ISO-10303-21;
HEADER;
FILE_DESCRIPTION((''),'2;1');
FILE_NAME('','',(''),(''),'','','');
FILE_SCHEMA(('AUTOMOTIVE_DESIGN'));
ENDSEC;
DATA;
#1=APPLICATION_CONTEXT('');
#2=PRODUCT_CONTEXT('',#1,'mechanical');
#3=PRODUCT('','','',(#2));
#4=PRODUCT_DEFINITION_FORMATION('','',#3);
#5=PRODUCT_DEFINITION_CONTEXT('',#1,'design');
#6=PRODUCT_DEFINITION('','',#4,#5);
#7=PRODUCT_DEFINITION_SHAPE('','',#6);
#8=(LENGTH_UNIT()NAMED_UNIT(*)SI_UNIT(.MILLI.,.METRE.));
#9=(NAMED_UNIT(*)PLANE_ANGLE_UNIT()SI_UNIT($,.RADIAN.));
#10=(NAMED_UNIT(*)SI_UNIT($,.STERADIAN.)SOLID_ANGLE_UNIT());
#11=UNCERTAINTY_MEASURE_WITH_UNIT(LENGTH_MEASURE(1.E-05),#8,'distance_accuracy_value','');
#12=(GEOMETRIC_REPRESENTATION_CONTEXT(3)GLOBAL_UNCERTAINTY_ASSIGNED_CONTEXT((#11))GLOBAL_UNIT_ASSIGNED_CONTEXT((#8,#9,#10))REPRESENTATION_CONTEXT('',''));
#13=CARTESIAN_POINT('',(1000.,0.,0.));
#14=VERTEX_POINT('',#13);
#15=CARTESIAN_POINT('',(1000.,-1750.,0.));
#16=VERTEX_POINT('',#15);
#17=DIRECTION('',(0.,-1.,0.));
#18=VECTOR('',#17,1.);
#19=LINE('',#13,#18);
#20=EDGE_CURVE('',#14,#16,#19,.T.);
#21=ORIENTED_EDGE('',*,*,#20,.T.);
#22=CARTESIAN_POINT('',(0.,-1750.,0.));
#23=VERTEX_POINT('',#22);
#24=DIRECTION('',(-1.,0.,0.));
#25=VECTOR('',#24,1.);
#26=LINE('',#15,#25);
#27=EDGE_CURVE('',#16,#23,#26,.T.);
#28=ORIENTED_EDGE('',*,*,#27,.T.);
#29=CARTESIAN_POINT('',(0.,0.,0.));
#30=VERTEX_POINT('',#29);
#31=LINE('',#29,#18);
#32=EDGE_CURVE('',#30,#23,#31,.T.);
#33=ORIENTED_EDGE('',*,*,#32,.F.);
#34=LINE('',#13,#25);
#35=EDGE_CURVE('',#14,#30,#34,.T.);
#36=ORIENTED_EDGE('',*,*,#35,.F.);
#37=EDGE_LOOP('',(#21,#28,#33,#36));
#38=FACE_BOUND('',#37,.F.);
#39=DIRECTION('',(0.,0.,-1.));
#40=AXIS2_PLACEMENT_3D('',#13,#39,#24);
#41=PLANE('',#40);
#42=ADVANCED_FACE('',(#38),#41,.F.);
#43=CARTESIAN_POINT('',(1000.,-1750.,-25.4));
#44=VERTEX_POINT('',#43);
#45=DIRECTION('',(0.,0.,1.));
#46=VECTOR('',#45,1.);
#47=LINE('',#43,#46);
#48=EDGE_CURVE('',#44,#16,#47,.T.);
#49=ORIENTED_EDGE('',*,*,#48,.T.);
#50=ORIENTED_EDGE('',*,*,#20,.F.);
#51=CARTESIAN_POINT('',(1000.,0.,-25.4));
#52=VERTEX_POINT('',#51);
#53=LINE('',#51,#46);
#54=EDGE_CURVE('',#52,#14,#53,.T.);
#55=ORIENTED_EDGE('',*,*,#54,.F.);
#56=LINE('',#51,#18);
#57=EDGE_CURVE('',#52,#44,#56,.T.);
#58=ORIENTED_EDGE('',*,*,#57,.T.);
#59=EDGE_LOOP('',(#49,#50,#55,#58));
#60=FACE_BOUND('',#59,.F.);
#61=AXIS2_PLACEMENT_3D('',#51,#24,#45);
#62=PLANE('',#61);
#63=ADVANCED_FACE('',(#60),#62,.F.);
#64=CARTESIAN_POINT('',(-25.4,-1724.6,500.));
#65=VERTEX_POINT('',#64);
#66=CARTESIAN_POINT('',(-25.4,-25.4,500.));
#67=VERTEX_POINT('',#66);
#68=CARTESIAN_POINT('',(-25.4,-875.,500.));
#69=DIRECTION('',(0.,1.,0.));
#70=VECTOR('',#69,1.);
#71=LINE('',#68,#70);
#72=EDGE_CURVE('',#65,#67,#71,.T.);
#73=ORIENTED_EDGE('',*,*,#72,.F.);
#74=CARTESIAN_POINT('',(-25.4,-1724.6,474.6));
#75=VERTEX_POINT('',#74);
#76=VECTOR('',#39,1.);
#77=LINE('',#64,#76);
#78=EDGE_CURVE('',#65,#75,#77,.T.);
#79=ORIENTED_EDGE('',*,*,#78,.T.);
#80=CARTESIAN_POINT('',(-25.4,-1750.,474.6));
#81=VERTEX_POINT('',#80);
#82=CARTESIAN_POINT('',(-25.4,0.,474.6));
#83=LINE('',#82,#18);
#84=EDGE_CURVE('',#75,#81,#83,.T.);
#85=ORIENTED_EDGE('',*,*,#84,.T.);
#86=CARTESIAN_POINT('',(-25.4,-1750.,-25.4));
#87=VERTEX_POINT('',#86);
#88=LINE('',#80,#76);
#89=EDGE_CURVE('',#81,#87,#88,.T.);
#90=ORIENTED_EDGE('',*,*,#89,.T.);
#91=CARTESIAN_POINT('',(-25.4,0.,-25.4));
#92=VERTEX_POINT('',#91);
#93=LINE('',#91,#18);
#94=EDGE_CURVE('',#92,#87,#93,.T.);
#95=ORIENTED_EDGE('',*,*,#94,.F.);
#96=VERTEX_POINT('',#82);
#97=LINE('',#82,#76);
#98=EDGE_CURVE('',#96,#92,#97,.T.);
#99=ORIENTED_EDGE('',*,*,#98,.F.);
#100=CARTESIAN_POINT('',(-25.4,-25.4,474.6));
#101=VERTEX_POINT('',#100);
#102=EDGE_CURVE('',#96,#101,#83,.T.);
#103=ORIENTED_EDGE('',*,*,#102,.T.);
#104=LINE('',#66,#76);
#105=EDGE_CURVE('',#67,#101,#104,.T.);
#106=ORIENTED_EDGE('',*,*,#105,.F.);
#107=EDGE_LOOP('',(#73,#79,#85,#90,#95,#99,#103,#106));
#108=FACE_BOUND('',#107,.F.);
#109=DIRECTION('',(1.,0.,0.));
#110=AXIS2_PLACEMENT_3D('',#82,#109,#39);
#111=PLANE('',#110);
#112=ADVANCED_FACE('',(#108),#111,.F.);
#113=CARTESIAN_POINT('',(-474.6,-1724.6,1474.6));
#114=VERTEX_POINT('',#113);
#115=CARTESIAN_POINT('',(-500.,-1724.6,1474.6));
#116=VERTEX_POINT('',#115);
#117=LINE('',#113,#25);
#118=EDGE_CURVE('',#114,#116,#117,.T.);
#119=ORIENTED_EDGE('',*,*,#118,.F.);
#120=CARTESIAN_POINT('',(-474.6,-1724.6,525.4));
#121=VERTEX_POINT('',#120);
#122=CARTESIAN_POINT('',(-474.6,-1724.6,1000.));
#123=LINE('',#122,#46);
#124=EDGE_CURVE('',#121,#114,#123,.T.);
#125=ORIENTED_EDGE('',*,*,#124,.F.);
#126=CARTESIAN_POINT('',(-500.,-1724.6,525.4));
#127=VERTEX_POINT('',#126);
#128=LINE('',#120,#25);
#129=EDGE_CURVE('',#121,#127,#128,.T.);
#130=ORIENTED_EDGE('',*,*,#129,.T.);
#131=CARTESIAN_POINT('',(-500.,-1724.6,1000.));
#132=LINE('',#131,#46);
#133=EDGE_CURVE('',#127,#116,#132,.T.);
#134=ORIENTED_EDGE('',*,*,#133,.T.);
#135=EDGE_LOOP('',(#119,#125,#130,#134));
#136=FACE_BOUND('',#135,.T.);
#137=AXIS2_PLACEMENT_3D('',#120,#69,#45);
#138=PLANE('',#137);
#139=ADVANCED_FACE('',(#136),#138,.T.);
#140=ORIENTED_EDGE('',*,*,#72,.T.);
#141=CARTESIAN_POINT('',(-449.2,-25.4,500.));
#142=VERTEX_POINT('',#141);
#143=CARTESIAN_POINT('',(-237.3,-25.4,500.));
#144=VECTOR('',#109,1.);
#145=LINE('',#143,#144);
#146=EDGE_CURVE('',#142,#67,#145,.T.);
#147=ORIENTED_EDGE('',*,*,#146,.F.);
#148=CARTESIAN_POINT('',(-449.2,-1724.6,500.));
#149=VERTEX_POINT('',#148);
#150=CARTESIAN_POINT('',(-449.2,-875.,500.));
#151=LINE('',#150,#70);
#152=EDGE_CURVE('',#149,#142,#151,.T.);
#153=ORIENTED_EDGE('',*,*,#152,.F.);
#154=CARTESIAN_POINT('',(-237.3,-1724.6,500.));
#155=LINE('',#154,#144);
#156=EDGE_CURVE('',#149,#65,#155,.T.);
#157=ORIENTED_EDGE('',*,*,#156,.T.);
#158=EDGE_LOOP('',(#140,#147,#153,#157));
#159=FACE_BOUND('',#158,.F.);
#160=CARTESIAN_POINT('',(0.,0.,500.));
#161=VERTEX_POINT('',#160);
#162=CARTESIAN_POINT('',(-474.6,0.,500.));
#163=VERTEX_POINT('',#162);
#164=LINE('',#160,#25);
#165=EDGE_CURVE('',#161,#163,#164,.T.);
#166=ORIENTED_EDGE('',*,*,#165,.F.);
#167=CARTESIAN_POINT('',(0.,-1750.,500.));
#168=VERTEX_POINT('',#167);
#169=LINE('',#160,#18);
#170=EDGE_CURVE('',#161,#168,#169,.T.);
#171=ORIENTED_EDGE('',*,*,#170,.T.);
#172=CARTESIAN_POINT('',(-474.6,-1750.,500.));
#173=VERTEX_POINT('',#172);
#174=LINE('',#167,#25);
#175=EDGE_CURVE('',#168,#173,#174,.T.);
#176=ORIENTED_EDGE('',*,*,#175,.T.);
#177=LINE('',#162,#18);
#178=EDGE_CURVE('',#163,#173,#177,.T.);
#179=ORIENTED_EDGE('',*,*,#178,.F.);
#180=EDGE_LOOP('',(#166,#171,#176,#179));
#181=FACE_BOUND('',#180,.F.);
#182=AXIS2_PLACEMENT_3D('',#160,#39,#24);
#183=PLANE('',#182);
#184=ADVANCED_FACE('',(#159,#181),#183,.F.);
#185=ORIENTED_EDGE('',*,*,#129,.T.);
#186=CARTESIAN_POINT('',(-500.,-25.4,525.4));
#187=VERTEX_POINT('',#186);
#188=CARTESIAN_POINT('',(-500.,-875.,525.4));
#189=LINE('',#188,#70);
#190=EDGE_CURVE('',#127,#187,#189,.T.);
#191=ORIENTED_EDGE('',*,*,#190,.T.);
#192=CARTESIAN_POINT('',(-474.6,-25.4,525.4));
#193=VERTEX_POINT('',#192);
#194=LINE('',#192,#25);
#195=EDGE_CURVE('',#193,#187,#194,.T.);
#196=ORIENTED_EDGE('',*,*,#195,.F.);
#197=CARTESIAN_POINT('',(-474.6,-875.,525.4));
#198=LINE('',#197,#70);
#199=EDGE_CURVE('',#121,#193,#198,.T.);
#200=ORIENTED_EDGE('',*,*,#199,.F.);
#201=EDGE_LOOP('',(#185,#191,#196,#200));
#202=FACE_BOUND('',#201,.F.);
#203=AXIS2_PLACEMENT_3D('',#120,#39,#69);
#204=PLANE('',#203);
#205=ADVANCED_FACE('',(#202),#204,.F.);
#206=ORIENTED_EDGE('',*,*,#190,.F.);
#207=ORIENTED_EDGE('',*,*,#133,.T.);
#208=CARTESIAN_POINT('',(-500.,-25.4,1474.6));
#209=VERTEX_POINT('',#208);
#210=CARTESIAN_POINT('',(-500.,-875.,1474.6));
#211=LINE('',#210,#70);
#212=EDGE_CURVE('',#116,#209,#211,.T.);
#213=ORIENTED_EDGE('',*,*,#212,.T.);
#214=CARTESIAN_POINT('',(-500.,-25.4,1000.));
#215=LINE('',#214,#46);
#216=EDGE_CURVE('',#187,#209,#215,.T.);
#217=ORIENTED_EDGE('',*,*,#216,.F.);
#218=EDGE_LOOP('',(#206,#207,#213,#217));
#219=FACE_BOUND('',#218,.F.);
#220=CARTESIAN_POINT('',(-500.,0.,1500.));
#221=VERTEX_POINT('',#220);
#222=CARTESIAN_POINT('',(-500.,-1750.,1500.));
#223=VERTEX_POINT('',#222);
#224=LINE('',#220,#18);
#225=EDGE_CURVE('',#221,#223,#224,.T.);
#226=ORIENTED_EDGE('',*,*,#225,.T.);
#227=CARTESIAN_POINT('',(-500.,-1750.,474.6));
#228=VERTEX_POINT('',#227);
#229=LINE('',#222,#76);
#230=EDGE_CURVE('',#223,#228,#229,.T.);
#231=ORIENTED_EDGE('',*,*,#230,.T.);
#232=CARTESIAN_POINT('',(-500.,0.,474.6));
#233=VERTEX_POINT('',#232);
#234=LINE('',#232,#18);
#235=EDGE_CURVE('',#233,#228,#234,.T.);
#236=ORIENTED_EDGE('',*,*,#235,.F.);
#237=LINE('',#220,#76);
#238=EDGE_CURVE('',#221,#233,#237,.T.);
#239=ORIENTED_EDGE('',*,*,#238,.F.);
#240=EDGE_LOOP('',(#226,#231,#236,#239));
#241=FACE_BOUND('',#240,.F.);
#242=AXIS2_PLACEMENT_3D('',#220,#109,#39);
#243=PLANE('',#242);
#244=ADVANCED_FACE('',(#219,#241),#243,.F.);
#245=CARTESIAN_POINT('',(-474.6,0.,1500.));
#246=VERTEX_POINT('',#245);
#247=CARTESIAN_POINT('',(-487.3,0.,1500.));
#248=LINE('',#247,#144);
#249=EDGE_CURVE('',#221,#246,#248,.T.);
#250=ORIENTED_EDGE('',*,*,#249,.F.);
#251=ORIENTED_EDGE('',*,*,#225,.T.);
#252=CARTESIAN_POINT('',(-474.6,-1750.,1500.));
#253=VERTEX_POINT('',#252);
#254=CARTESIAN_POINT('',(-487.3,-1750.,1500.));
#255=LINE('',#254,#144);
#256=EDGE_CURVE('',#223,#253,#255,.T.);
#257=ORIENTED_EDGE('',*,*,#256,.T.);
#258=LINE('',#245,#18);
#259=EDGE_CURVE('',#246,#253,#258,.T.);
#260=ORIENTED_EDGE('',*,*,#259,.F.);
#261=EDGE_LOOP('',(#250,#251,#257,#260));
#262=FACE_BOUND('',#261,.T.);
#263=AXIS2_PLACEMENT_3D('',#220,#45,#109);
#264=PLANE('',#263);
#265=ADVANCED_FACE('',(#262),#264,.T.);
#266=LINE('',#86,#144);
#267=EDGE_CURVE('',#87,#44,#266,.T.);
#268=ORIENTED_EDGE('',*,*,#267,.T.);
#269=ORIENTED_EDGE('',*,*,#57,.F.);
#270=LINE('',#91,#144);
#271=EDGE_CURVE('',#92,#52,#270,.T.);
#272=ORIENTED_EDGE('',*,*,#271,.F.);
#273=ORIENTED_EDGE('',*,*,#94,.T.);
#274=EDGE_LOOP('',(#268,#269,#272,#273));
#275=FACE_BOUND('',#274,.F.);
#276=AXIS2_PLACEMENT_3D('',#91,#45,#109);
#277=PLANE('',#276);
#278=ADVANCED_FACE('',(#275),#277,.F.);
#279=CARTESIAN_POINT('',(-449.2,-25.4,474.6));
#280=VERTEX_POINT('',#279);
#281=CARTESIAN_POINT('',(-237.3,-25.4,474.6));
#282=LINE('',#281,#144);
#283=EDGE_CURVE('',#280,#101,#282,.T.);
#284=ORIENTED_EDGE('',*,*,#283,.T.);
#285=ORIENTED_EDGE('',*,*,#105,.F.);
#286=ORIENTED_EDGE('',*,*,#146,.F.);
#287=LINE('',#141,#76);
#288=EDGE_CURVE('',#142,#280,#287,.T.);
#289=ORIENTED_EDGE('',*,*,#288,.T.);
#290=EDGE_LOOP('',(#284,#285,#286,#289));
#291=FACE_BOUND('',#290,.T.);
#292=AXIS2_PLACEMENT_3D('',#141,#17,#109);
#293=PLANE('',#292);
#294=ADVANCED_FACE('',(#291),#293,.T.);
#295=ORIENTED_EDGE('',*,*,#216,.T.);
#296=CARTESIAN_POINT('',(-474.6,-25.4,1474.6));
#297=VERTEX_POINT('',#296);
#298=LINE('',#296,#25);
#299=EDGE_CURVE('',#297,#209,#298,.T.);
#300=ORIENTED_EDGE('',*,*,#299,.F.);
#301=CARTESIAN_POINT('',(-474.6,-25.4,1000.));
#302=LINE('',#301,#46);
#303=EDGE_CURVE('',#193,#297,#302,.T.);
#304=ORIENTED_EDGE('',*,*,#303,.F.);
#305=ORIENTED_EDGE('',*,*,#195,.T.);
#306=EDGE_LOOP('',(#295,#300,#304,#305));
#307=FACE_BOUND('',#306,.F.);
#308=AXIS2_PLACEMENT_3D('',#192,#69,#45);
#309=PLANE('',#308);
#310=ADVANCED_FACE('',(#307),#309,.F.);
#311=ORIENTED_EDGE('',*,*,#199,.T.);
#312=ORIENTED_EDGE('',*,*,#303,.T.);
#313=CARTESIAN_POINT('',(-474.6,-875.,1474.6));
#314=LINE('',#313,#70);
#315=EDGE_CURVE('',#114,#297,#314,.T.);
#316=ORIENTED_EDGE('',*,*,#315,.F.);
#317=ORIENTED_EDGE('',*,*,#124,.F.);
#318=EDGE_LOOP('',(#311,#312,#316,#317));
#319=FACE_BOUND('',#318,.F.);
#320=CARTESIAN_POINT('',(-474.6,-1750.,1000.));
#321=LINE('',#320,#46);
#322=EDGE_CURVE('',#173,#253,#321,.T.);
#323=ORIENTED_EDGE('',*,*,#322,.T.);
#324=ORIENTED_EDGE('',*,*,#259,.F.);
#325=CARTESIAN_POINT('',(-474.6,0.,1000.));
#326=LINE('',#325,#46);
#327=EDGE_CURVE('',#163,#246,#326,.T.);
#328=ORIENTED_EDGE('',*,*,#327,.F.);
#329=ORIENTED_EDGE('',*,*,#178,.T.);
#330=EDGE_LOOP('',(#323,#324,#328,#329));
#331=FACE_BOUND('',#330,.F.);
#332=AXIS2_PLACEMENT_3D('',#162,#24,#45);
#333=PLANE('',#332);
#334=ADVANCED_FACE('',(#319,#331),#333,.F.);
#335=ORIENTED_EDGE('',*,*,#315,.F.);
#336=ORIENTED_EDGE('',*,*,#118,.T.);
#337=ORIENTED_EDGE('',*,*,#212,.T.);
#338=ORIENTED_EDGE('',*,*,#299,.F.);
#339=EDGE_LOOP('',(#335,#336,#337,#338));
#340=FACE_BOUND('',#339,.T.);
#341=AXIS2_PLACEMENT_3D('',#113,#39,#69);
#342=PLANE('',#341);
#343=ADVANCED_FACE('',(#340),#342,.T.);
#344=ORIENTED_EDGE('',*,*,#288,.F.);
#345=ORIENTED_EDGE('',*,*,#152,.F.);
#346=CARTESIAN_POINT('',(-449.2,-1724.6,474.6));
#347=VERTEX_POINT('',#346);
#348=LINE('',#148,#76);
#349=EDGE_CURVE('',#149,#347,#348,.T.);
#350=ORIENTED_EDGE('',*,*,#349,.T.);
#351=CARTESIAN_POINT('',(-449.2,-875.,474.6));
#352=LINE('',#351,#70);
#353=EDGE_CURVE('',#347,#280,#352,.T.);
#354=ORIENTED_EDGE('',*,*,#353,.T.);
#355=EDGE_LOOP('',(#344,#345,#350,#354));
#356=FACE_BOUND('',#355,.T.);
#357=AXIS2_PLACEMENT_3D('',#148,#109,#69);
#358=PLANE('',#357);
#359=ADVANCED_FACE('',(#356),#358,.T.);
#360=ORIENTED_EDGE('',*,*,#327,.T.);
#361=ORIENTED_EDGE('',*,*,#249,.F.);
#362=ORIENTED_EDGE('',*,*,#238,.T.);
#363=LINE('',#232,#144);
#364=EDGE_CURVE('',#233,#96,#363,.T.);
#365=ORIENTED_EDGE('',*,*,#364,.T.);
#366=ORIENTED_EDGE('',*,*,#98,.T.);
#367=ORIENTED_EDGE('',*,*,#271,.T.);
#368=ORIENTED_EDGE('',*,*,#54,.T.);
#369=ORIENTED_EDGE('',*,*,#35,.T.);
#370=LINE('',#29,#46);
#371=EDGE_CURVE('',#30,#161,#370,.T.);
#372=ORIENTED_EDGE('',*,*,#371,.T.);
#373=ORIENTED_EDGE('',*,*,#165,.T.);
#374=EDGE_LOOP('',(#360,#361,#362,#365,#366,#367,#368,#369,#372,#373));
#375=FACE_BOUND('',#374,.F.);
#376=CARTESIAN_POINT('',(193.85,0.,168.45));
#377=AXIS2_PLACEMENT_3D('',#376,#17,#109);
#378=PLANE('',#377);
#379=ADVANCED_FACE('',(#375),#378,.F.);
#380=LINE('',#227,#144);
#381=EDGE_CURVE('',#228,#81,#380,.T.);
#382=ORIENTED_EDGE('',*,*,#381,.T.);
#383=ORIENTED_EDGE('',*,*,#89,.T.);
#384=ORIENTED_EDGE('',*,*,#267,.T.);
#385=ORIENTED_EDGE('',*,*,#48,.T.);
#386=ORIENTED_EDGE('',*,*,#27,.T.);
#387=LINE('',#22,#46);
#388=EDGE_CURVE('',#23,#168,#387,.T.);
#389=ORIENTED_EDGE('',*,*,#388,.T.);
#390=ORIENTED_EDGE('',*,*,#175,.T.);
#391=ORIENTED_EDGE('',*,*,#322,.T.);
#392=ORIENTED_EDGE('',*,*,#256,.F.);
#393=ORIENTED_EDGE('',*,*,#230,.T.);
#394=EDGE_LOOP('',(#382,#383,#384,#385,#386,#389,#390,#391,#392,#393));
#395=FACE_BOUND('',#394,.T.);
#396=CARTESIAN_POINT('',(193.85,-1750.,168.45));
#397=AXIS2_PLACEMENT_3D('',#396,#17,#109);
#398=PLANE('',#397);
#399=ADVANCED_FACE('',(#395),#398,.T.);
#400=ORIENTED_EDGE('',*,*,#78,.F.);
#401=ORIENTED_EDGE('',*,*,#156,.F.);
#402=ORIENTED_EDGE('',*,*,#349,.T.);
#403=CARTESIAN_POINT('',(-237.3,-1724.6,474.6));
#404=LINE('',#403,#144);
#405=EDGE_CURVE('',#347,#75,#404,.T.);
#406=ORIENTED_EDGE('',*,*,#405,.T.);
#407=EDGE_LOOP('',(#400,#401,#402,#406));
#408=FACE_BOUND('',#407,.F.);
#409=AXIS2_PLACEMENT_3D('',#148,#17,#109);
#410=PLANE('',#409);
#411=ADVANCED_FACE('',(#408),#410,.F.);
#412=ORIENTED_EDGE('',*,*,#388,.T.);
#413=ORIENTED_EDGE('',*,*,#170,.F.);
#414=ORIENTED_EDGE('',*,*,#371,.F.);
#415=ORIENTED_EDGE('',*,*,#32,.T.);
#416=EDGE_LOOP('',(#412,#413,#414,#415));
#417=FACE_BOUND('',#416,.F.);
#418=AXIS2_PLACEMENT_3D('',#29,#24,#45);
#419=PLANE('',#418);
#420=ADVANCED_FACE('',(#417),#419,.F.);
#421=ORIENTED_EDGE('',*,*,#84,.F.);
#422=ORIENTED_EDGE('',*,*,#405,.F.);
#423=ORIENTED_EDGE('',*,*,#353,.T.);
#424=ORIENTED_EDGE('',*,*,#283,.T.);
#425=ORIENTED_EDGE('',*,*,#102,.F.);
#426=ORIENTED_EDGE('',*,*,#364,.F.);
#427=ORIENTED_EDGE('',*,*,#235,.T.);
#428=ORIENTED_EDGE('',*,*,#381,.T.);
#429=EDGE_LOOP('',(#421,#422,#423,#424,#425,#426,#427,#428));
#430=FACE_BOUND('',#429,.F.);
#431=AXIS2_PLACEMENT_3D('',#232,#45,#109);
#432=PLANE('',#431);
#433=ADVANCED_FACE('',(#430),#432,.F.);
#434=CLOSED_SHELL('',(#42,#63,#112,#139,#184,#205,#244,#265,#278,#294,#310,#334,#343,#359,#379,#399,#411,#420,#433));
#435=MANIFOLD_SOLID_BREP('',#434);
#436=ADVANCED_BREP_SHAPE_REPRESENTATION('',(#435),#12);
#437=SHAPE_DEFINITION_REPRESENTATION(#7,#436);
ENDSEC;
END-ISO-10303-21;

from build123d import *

# Parameters (mm, degrees)
F0_W     = 25.4
F0_H     = 25.4
F0_H_2   = 1000
F1_DEPTH = 1750
F2_W     = 423.8
F2_H     = 1699.2
F3_DEPTH = 25.4
F4_W     = 1699.2
F4_H     = 949.2
F5_DEPTH = 25.4


with BuildPart() as f1:
    # F0 (on Front) → F1 (new body)
    with BuildSketch(Plane.XZ):
        Polygon((1000, 0), (0, 0), (0, 500), (-474.6, 500), (-474.6, 474.6), (-25.4, 474.6), (-25.4, -25.4), (1000, -25.4), align=None)
        with Locations((-487.3, 487.3)):
            Rectangle(F0_W, F0_H)
        with Locations((-487.3, 1000)):
            Rectangle(F0_W, F0_H_2)
    extrude(amount=F1_DEPTH)

    # F2 (on face) → F3 (cut)
    with BuildSketch(Plane.XY.offset(500)):
        with Locations((-237.3, -875)):
            Rectangle(F2_W, F2_H)
    extrude(amount=-F3_DEPTH, mode=Mode.SUBTRACT)

    # F4 (on face) → F5 (cut)
    with BuildSketch(Plane.YZ.offset(-474.6)):
        with Locations((-875, 1000)):
            Rectangle(F4_W, F4_H)
    extrude(amount=-F5_DEPTH, mode=Mode.SUBTRACT)


solid = f1.part
